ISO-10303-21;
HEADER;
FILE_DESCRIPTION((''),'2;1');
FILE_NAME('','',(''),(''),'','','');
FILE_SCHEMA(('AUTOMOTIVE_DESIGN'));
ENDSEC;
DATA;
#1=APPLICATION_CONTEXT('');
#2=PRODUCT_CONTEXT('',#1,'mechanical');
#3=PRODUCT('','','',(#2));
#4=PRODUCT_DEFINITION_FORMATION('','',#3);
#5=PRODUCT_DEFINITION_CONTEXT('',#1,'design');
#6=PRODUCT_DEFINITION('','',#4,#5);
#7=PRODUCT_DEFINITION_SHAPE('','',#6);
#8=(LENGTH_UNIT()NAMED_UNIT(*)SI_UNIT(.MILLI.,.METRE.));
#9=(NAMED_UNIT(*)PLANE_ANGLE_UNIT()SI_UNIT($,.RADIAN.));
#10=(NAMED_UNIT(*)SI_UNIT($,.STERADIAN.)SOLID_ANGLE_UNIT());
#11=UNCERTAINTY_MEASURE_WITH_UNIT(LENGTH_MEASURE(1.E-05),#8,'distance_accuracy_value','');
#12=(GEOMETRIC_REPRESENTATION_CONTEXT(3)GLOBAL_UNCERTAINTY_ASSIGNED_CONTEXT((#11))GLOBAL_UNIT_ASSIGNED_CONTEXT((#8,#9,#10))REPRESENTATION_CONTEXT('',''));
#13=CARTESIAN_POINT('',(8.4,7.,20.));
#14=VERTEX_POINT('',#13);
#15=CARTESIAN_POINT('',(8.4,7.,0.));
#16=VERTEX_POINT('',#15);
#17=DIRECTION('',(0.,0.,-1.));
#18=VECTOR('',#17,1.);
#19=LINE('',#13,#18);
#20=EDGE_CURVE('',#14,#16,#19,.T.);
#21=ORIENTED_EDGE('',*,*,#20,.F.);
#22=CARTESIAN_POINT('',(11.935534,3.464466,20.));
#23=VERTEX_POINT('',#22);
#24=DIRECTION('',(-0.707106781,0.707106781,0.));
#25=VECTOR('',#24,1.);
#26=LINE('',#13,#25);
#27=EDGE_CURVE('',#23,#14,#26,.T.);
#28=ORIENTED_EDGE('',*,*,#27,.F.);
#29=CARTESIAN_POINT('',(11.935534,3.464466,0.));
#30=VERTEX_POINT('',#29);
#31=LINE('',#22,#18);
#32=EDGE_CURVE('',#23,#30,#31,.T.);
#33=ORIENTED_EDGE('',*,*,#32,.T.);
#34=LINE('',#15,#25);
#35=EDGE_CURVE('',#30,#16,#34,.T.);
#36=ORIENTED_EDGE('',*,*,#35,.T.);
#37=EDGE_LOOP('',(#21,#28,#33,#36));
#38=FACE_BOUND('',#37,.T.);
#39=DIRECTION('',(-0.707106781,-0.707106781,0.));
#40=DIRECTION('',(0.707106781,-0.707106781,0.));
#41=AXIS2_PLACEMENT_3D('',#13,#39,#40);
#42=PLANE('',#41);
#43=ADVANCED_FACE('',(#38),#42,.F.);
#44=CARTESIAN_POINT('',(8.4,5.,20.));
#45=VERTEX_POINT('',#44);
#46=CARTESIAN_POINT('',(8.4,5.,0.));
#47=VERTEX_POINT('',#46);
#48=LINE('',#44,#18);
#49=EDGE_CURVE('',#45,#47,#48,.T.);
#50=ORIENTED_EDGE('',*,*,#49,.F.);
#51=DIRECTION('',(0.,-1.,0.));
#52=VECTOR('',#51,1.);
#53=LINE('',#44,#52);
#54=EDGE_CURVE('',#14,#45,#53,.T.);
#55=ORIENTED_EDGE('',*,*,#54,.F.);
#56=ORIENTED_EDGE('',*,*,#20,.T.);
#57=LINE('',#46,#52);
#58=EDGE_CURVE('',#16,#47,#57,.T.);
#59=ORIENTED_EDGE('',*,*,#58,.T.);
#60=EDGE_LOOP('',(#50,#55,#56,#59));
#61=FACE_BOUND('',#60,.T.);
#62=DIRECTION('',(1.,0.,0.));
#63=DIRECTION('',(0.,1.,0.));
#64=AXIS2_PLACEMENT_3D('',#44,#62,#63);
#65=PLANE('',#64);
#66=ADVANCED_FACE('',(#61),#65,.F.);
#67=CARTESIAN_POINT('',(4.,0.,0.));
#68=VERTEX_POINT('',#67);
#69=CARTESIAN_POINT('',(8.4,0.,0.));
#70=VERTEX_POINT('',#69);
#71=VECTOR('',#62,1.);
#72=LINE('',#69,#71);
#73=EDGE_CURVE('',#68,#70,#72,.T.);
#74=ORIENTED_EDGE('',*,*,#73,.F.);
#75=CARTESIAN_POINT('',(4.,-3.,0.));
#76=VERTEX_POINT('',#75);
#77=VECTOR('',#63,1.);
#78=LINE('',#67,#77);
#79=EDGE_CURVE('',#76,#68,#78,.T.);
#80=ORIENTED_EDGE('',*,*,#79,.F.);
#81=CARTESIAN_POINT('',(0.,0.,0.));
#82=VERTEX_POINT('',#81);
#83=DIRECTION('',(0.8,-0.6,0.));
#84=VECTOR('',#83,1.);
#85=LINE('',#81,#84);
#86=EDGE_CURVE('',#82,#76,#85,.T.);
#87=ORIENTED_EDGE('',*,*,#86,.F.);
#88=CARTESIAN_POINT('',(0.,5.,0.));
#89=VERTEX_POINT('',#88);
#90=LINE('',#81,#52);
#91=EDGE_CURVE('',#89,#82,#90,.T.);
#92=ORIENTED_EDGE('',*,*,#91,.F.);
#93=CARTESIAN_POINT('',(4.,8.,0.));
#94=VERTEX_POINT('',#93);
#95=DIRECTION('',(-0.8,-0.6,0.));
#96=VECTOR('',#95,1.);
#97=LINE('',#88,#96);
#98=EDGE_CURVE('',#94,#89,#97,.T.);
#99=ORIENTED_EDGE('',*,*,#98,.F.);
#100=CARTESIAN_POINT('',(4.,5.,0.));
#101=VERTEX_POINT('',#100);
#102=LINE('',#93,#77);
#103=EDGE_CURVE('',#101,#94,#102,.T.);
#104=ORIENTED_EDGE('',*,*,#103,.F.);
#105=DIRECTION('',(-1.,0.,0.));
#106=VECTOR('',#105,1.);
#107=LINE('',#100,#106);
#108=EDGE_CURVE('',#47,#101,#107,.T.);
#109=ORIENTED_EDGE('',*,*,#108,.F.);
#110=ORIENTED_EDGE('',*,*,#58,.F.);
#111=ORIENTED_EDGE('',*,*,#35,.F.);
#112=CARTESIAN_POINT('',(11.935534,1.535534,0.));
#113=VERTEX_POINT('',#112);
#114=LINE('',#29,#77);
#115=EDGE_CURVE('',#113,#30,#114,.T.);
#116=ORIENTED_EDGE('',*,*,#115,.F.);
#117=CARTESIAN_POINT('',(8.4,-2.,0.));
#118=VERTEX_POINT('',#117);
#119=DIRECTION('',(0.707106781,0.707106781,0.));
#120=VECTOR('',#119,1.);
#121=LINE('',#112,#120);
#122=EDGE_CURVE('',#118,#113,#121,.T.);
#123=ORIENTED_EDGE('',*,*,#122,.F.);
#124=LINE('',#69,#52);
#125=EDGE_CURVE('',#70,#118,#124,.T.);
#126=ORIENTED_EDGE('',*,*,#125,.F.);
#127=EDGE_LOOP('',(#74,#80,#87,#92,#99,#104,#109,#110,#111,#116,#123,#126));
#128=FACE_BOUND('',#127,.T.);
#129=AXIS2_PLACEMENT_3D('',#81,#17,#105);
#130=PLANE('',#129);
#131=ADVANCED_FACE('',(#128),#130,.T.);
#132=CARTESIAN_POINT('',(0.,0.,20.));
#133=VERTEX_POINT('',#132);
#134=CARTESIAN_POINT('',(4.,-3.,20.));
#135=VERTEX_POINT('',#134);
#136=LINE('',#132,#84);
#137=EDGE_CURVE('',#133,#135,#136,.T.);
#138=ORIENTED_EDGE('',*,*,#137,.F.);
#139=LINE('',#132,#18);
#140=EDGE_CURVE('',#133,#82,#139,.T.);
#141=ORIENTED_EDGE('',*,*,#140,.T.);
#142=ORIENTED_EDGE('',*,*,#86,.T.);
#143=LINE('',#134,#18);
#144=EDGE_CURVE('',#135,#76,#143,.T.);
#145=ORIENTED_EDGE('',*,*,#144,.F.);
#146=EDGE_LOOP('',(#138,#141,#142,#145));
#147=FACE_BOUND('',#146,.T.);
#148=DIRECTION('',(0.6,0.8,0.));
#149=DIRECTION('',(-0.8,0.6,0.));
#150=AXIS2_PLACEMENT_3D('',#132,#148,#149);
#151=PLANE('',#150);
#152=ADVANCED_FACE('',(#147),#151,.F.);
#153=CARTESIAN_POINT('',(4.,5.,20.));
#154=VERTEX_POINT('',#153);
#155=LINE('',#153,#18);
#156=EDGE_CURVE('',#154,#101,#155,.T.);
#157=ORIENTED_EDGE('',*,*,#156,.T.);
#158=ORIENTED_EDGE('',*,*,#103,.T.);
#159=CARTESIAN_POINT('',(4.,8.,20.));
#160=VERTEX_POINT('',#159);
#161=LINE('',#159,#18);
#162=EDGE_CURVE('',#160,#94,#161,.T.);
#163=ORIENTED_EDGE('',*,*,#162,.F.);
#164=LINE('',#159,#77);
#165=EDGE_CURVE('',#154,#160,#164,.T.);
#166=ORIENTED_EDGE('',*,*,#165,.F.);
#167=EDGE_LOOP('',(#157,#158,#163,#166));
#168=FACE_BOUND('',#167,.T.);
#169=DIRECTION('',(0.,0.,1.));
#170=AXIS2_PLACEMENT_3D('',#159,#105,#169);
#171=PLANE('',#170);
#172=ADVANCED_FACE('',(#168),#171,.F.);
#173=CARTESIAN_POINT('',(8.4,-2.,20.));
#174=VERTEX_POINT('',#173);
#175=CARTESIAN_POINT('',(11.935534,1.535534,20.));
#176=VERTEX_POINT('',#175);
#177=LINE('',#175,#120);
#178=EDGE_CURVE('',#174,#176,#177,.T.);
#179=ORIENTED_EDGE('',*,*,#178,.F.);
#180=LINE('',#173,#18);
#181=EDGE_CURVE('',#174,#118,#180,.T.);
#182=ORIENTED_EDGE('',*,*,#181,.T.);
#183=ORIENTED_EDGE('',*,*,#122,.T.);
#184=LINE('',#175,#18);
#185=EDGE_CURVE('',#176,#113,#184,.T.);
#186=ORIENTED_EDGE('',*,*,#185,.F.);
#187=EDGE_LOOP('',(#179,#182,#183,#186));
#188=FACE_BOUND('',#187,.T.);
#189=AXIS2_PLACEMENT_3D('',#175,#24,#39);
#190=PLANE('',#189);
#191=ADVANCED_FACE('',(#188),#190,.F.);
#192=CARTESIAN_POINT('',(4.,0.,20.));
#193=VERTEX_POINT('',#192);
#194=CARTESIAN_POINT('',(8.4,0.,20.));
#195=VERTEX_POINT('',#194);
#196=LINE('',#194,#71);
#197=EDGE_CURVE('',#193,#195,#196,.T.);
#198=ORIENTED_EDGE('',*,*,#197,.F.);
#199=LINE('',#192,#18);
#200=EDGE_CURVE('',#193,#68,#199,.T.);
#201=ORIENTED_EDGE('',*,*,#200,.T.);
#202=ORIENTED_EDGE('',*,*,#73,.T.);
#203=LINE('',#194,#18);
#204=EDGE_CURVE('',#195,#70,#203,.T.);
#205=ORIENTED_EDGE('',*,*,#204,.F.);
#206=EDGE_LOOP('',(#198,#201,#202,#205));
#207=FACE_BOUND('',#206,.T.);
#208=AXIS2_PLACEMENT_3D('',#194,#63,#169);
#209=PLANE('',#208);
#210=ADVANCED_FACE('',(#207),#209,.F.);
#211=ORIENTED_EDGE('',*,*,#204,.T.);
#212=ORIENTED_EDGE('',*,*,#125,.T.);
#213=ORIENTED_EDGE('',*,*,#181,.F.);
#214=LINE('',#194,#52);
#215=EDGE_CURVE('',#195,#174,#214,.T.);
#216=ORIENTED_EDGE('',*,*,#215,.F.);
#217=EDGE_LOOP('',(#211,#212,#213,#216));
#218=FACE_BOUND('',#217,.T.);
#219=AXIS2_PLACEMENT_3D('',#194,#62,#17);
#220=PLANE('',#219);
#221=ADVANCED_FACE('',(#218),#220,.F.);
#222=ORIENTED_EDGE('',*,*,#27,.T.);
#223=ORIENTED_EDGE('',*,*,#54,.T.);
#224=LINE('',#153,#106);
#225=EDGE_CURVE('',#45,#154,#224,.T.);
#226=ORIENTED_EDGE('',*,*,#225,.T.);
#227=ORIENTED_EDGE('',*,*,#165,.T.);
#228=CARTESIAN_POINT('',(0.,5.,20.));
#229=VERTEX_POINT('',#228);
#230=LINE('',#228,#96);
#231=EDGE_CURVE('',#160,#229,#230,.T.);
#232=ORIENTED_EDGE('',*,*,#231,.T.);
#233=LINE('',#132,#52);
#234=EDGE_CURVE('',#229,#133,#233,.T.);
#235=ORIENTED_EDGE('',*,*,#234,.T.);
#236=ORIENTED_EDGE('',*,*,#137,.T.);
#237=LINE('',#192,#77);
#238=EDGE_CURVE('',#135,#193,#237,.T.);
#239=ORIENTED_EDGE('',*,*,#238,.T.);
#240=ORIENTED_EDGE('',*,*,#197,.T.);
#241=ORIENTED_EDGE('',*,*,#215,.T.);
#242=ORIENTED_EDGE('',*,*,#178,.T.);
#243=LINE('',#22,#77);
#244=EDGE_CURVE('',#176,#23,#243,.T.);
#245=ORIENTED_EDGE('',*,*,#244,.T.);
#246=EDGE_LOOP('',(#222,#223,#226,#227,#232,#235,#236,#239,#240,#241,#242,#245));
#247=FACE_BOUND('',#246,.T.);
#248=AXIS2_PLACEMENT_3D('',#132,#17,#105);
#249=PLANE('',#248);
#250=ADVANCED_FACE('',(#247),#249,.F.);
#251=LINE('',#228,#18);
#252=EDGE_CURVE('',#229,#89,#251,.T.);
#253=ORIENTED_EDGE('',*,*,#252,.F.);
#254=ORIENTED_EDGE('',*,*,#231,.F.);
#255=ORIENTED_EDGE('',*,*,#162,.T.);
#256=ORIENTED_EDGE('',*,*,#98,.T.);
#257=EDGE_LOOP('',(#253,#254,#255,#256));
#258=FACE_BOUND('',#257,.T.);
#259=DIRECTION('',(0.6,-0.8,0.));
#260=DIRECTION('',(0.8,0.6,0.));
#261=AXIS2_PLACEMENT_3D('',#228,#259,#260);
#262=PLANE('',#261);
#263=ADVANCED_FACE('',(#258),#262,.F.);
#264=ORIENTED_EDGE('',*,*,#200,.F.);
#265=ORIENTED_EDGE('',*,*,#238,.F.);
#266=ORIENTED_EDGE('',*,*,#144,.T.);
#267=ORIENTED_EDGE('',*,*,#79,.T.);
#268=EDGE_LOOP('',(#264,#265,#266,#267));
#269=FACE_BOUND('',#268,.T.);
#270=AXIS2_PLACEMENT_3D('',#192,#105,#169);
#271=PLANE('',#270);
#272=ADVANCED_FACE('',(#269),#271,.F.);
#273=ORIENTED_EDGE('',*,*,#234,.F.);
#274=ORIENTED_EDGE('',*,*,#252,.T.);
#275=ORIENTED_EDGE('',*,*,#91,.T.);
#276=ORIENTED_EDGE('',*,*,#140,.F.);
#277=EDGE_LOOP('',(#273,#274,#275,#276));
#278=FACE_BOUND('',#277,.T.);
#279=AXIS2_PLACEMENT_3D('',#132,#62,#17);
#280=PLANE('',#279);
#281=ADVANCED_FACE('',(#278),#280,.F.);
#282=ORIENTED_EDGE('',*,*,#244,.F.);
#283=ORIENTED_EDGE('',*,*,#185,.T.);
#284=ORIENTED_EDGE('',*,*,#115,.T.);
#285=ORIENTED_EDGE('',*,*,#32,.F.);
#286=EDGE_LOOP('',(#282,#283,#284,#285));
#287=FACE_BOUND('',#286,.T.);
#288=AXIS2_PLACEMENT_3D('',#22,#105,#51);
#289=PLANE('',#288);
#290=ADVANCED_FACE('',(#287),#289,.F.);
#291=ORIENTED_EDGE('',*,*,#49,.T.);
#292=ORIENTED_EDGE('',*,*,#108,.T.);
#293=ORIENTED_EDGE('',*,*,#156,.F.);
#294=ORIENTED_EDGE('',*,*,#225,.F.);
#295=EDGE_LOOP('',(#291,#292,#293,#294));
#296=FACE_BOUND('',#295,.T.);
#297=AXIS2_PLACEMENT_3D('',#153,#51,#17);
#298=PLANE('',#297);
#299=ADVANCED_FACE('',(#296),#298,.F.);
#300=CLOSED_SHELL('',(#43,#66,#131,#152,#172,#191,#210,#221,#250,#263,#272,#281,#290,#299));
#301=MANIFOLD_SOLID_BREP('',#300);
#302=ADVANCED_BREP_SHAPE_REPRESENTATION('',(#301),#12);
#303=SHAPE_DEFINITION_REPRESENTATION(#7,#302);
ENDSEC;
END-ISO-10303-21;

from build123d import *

# Parameters (mm, degrees)
BOSS_EXTRU_1_DEPTH = 20


with BuildPart() as part:
    # ProfileRainureEsquisse → Boss.-Extru.1 (new body)
    with BuildSketch(Plane.XY):
        Polygon((0, 0), (0, 5), (4, 8), (4, 5), (8.4, 5), (8.4, 7), (11.935533906, 3.464466094), (11.935533906, 1.535533906), (8.4, -2), (8.4, 0), (4, 0), (4, -3), align=None)
    extrude(amount=BOSS_EXTRU_1_DEPTH)


solid = part.part
